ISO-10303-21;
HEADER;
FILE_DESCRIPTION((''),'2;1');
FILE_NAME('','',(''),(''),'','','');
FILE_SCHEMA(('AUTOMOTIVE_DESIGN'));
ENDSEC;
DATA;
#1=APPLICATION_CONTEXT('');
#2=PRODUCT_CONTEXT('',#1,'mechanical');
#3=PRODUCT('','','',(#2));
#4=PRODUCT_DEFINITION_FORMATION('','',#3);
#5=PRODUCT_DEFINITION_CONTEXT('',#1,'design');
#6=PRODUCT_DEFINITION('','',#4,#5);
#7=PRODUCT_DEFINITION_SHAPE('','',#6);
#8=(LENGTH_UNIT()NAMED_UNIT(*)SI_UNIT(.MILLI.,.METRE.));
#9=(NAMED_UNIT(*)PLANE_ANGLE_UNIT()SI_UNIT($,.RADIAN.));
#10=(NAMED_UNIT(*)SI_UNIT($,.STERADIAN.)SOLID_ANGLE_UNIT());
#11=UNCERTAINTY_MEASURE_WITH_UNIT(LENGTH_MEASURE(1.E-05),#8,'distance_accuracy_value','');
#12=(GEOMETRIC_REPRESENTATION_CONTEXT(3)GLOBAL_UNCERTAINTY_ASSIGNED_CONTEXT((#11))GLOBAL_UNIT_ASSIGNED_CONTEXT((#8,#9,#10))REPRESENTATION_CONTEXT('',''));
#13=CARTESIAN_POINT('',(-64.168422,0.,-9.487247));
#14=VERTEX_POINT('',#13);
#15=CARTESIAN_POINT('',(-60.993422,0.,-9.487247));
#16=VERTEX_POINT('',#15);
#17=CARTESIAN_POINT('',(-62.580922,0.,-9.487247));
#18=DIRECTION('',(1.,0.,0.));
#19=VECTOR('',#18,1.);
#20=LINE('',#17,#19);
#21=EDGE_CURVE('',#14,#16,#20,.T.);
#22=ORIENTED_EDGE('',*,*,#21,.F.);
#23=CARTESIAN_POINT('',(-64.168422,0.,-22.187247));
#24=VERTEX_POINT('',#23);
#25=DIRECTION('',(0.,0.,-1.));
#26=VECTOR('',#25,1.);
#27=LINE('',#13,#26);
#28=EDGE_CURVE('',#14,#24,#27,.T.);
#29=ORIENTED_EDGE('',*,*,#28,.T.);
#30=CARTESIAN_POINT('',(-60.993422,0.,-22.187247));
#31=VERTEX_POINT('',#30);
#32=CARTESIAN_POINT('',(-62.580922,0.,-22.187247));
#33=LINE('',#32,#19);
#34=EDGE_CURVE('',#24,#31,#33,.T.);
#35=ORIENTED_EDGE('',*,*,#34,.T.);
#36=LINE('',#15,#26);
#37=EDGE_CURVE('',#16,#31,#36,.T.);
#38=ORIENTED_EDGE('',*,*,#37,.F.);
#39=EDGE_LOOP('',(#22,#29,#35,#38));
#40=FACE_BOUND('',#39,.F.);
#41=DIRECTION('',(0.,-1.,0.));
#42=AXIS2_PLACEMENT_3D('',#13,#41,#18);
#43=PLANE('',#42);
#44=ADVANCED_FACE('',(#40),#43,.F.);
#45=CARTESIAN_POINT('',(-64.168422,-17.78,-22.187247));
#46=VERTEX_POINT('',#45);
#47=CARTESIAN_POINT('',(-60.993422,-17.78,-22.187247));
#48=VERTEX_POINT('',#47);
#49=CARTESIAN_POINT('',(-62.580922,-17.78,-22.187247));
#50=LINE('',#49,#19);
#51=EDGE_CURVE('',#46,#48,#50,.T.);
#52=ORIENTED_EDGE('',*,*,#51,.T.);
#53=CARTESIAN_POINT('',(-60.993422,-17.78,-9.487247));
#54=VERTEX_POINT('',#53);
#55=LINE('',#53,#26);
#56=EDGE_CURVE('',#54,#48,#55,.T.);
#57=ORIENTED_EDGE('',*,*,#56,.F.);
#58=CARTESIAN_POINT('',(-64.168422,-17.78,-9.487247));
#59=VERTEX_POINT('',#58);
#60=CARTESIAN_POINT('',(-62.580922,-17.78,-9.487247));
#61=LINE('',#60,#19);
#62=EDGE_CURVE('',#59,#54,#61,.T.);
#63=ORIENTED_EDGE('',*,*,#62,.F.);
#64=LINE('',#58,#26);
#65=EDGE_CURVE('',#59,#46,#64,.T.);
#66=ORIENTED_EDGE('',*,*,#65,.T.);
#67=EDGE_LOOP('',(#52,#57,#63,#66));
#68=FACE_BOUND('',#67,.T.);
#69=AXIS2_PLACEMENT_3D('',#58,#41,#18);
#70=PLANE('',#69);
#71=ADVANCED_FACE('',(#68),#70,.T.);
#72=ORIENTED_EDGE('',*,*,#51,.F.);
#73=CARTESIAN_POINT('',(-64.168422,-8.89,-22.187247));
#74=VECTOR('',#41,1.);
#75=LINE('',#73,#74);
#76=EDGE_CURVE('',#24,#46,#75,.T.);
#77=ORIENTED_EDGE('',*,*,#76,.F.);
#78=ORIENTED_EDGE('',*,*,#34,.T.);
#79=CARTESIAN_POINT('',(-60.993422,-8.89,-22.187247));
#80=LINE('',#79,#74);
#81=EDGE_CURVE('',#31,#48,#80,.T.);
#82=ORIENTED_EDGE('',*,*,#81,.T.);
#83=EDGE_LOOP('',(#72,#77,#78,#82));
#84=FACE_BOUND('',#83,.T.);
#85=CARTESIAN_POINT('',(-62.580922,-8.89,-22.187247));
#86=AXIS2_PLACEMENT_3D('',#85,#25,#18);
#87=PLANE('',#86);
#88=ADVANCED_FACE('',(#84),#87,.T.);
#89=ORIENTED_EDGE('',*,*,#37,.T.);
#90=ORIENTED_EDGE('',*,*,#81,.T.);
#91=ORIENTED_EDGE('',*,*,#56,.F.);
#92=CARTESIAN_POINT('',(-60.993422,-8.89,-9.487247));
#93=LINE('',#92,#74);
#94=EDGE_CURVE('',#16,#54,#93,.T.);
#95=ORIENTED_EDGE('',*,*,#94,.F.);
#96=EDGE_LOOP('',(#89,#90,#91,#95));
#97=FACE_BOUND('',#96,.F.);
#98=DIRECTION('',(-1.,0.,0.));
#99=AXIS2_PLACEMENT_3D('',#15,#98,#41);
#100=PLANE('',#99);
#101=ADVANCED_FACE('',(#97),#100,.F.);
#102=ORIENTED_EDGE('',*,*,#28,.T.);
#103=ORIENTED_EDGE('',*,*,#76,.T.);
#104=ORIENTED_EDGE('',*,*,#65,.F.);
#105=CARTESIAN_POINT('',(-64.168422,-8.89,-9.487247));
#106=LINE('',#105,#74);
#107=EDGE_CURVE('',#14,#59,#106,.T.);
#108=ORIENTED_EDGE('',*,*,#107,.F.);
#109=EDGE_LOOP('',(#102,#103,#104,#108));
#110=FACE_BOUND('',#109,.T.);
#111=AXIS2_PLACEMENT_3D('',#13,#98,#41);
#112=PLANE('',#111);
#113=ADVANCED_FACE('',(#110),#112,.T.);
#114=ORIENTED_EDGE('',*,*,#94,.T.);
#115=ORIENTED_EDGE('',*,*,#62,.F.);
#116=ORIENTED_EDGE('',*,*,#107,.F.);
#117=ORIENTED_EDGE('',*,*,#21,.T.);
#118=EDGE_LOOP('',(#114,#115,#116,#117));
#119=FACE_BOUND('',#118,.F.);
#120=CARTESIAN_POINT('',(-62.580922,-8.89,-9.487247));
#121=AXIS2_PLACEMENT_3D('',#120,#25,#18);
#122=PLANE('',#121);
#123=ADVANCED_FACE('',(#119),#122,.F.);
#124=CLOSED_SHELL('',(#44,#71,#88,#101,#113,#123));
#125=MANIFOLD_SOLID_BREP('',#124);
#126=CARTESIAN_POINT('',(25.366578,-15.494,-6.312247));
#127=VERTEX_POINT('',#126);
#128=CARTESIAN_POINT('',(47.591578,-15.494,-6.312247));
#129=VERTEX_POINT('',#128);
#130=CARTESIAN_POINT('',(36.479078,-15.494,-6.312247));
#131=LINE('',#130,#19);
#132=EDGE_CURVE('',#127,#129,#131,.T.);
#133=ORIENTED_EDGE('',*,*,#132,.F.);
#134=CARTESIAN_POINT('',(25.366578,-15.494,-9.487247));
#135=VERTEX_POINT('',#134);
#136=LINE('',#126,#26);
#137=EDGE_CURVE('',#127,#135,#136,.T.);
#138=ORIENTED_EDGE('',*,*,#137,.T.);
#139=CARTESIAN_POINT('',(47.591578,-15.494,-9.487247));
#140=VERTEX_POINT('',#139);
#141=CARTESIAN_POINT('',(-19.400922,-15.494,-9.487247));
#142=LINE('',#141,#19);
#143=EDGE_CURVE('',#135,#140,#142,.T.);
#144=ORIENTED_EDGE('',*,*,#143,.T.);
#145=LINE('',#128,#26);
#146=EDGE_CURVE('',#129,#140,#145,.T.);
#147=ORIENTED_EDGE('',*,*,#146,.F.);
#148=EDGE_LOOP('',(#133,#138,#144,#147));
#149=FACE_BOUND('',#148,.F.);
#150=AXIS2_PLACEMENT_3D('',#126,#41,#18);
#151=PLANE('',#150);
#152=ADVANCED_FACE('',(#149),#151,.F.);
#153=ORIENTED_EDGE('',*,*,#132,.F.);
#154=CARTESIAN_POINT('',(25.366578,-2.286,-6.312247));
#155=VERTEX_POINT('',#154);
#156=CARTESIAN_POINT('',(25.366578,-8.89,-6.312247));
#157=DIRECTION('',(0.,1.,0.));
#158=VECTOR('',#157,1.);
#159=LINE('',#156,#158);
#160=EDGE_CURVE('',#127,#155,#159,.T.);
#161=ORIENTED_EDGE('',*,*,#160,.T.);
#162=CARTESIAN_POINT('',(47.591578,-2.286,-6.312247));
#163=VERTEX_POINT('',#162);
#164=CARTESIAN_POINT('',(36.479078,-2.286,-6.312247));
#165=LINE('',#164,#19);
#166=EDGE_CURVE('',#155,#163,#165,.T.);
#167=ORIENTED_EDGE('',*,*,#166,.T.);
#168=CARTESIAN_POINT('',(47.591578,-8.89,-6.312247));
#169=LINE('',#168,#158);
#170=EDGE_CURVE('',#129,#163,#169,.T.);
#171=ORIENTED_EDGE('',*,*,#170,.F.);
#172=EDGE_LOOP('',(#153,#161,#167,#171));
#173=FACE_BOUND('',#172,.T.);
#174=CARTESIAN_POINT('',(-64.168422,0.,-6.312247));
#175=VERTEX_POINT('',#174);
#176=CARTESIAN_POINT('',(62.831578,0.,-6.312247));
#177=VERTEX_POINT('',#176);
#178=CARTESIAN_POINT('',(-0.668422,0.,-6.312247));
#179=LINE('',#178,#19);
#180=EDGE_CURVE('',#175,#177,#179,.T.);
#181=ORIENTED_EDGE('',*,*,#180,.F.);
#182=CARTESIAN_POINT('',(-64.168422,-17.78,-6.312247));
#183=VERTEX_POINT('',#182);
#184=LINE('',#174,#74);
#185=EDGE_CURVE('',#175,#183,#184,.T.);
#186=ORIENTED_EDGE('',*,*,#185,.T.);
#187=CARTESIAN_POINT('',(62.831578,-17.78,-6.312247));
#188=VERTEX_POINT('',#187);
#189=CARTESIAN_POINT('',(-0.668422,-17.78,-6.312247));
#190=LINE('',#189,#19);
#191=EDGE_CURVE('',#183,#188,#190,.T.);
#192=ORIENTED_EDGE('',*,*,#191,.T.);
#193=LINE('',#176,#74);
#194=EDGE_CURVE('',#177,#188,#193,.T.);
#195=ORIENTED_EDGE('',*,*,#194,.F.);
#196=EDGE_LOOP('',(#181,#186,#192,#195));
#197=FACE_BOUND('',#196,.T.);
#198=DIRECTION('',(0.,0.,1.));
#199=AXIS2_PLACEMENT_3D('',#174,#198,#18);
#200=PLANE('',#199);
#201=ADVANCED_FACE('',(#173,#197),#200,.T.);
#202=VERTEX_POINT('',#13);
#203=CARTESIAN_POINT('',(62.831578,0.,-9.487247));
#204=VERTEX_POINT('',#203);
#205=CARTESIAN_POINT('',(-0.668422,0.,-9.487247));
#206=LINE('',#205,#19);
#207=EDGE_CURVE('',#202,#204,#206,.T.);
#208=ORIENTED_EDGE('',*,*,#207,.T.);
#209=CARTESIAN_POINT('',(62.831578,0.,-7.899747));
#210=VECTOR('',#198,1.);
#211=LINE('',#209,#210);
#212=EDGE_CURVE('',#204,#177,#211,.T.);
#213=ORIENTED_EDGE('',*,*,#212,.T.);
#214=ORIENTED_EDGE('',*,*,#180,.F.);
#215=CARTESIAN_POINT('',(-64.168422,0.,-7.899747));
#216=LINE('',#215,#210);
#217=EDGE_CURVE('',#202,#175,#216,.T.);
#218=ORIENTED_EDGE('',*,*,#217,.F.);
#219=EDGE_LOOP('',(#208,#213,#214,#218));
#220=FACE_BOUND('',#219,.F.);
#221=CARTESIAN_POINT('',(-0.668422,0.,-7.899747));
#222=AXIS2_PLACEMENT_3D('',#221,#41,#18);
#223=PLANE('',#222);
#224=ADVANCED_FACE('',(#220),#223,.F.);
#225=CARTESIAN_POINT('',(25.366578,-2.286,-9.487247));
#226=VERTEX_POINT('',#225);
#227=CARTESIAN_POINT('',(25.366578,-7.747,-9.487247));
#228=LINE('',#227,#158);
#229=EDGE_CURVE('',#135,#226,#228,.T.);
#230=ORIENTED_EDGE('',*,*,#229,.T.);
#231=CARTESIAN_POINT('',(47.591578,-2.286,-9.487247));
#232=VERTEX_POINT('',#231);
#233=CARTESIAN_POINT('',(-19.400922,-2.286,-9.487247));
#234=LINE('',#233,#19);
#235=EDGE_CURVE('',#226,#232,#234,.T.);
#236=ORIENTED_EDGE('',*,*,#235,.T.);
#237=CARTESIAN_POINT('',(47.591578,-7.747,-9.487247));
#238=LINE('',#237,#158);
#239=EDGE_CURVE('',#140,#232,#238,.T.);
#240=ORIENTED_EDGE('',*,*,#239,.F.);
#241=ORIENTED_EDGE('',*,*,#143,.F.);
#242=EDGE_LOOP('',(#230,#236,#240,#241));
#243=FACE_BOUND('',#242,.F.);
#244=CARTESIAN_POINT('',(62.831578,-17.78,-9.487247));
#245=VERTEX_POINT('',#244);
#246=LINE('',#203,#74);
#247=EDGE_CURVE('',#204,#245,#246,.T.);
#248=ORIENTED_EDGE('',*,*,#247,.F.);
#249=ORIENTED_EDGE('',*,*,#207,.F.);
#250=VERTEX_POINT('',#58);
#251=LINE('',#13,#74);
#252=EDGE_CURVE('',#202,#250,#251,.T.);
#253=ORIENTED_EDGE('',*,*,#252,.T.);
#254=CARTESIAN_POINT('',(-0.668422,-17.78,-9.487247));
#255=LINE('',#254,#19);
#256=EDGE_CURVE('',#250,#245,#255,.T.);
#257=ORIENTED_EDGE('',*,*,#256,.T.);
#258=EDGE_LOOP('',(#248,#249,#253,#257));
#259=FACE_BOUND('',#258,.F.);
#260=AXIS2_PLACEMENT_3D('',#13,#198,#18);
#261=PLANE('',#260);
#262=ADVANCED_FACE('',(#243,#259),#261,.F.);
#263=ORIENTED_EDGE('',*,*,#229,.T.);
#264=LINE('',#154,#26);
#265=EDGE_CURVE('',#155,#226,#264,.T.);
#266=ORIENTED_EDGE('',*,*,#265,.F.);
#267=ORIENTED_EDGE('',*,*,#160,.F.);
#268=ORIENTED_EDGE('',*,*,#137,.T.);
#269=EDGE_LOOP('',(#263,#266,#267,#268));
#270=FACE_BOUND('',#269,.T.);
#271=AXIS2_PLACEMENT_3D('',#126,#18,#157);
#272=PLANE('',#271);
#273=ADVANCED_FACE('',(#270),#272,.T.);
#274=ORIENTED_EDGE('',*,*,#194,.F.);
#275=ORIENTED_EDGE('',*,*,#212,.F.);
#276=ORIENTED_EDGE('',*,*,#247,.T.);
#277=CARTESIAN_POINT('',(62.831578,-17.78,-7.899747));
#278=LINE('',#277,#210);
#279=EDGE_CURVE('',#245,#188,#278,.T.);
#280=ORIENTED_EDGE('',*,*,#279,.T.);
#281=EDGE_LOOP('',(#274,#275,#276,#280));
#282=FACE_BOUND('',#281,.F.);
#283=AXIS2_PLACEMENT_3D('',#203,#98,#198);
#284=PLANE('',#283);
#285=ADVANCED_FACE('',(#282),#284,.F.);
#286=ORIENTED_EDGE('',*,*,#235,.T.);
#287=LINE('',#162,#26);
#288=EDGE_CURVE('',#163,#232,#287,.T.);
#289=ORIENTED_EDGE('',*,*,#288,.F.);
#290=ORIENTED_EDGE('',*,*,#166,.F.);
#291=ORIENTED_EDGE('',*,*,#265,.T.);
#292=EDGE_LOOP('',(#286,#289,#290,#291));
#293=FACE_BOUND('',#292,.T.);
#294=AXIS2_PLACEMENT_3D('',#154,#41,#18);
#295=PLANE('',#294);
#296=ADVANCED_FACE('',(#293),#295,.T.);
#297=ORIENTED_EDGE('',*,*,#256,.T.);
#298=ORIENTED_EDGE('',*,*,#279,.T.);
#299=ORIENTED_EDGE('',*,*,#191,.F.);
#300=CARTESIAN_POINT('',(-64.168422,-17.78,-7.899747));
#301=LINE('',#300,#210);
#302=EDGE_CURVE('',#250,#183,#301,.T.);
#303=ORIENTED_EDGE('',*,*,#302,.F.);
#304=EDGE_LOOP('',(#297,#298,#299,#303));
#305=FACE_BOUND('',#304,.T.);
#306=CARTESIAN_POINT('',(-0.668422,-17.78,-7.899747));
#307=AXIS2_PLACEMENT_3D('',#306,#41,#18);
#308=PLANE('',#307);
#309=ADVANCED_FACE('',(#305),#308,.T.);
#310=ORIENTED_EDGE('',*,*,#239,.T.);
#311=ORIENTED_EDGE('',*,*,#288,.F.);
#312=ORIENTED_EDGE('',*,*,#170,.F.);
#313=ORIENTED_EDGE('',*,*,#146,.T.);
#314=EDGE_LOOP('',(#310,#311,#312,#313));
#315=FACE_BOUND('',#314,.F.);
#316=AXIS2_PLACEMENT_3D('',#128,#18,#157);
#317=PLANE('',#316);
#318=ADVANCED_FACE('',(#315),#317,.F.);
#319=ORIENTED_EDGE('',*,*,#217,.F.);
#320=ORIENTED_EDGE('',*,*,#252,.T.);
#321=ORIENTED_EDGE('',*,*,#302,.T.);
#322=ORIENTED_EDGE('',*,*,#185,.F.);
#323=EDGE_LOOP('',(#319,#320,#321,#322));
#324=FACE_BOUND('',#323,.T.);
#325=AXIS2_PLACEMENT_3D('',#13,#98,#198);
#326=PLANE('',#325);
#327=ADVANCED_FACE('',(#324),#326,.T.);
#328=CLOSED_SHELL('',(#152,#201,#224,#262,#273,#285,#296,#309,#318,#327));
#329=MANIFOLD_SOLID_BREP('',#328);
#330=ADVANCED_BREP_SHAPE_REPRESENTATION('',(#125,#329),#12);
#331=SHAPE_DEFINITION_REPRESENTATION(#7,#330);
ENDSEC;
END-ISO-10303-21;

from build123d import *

# Parameters (mm, degrees)
F0_W     = 127
F0_H     = 3.175
F1_DEPTH = 17.78
F2_W     = 22.225
F2_H     = 13.208
F3_DEPTH = 25.4
F4_W     = 3.175
F4_H     = 17.78
F5_DEPTH = 12.7


with BuildPart() as f1:
    # F0 (on Front) → F1 (new body)
    with BuildSketch(Plane.XZ):
        with Locations((-0.668422, -7.899747)):
            Rectangle(F0_W, F0_H)
    extrude(amount=F1_DEPTH)

    # F2 (on face) → F3 (cut)
    with BuildSketch(Plane.XY.offset(-6.312247)):
        with Locations((36.479078, -8.89)):
            Rectangle(F2_W, F2_H)
    extrude(amount=-F3_DEPTH, mode=Mode.SUBTRACT)


with BuildPart() as f5:
    # F4 (on face) → F5 (new body)
    with BuildSketch(Plane(origin=(0, 0, -9.487247), x_dir=(1, 0, 0), z_dir=(0, 0, -1))):
        with Locations((-62.580922, 8.89)):
            Rectangle(F4_W, F4_H)
    extrude(amount=F5_DEPTH)


solid = Compound([f1.part, f5.part])
